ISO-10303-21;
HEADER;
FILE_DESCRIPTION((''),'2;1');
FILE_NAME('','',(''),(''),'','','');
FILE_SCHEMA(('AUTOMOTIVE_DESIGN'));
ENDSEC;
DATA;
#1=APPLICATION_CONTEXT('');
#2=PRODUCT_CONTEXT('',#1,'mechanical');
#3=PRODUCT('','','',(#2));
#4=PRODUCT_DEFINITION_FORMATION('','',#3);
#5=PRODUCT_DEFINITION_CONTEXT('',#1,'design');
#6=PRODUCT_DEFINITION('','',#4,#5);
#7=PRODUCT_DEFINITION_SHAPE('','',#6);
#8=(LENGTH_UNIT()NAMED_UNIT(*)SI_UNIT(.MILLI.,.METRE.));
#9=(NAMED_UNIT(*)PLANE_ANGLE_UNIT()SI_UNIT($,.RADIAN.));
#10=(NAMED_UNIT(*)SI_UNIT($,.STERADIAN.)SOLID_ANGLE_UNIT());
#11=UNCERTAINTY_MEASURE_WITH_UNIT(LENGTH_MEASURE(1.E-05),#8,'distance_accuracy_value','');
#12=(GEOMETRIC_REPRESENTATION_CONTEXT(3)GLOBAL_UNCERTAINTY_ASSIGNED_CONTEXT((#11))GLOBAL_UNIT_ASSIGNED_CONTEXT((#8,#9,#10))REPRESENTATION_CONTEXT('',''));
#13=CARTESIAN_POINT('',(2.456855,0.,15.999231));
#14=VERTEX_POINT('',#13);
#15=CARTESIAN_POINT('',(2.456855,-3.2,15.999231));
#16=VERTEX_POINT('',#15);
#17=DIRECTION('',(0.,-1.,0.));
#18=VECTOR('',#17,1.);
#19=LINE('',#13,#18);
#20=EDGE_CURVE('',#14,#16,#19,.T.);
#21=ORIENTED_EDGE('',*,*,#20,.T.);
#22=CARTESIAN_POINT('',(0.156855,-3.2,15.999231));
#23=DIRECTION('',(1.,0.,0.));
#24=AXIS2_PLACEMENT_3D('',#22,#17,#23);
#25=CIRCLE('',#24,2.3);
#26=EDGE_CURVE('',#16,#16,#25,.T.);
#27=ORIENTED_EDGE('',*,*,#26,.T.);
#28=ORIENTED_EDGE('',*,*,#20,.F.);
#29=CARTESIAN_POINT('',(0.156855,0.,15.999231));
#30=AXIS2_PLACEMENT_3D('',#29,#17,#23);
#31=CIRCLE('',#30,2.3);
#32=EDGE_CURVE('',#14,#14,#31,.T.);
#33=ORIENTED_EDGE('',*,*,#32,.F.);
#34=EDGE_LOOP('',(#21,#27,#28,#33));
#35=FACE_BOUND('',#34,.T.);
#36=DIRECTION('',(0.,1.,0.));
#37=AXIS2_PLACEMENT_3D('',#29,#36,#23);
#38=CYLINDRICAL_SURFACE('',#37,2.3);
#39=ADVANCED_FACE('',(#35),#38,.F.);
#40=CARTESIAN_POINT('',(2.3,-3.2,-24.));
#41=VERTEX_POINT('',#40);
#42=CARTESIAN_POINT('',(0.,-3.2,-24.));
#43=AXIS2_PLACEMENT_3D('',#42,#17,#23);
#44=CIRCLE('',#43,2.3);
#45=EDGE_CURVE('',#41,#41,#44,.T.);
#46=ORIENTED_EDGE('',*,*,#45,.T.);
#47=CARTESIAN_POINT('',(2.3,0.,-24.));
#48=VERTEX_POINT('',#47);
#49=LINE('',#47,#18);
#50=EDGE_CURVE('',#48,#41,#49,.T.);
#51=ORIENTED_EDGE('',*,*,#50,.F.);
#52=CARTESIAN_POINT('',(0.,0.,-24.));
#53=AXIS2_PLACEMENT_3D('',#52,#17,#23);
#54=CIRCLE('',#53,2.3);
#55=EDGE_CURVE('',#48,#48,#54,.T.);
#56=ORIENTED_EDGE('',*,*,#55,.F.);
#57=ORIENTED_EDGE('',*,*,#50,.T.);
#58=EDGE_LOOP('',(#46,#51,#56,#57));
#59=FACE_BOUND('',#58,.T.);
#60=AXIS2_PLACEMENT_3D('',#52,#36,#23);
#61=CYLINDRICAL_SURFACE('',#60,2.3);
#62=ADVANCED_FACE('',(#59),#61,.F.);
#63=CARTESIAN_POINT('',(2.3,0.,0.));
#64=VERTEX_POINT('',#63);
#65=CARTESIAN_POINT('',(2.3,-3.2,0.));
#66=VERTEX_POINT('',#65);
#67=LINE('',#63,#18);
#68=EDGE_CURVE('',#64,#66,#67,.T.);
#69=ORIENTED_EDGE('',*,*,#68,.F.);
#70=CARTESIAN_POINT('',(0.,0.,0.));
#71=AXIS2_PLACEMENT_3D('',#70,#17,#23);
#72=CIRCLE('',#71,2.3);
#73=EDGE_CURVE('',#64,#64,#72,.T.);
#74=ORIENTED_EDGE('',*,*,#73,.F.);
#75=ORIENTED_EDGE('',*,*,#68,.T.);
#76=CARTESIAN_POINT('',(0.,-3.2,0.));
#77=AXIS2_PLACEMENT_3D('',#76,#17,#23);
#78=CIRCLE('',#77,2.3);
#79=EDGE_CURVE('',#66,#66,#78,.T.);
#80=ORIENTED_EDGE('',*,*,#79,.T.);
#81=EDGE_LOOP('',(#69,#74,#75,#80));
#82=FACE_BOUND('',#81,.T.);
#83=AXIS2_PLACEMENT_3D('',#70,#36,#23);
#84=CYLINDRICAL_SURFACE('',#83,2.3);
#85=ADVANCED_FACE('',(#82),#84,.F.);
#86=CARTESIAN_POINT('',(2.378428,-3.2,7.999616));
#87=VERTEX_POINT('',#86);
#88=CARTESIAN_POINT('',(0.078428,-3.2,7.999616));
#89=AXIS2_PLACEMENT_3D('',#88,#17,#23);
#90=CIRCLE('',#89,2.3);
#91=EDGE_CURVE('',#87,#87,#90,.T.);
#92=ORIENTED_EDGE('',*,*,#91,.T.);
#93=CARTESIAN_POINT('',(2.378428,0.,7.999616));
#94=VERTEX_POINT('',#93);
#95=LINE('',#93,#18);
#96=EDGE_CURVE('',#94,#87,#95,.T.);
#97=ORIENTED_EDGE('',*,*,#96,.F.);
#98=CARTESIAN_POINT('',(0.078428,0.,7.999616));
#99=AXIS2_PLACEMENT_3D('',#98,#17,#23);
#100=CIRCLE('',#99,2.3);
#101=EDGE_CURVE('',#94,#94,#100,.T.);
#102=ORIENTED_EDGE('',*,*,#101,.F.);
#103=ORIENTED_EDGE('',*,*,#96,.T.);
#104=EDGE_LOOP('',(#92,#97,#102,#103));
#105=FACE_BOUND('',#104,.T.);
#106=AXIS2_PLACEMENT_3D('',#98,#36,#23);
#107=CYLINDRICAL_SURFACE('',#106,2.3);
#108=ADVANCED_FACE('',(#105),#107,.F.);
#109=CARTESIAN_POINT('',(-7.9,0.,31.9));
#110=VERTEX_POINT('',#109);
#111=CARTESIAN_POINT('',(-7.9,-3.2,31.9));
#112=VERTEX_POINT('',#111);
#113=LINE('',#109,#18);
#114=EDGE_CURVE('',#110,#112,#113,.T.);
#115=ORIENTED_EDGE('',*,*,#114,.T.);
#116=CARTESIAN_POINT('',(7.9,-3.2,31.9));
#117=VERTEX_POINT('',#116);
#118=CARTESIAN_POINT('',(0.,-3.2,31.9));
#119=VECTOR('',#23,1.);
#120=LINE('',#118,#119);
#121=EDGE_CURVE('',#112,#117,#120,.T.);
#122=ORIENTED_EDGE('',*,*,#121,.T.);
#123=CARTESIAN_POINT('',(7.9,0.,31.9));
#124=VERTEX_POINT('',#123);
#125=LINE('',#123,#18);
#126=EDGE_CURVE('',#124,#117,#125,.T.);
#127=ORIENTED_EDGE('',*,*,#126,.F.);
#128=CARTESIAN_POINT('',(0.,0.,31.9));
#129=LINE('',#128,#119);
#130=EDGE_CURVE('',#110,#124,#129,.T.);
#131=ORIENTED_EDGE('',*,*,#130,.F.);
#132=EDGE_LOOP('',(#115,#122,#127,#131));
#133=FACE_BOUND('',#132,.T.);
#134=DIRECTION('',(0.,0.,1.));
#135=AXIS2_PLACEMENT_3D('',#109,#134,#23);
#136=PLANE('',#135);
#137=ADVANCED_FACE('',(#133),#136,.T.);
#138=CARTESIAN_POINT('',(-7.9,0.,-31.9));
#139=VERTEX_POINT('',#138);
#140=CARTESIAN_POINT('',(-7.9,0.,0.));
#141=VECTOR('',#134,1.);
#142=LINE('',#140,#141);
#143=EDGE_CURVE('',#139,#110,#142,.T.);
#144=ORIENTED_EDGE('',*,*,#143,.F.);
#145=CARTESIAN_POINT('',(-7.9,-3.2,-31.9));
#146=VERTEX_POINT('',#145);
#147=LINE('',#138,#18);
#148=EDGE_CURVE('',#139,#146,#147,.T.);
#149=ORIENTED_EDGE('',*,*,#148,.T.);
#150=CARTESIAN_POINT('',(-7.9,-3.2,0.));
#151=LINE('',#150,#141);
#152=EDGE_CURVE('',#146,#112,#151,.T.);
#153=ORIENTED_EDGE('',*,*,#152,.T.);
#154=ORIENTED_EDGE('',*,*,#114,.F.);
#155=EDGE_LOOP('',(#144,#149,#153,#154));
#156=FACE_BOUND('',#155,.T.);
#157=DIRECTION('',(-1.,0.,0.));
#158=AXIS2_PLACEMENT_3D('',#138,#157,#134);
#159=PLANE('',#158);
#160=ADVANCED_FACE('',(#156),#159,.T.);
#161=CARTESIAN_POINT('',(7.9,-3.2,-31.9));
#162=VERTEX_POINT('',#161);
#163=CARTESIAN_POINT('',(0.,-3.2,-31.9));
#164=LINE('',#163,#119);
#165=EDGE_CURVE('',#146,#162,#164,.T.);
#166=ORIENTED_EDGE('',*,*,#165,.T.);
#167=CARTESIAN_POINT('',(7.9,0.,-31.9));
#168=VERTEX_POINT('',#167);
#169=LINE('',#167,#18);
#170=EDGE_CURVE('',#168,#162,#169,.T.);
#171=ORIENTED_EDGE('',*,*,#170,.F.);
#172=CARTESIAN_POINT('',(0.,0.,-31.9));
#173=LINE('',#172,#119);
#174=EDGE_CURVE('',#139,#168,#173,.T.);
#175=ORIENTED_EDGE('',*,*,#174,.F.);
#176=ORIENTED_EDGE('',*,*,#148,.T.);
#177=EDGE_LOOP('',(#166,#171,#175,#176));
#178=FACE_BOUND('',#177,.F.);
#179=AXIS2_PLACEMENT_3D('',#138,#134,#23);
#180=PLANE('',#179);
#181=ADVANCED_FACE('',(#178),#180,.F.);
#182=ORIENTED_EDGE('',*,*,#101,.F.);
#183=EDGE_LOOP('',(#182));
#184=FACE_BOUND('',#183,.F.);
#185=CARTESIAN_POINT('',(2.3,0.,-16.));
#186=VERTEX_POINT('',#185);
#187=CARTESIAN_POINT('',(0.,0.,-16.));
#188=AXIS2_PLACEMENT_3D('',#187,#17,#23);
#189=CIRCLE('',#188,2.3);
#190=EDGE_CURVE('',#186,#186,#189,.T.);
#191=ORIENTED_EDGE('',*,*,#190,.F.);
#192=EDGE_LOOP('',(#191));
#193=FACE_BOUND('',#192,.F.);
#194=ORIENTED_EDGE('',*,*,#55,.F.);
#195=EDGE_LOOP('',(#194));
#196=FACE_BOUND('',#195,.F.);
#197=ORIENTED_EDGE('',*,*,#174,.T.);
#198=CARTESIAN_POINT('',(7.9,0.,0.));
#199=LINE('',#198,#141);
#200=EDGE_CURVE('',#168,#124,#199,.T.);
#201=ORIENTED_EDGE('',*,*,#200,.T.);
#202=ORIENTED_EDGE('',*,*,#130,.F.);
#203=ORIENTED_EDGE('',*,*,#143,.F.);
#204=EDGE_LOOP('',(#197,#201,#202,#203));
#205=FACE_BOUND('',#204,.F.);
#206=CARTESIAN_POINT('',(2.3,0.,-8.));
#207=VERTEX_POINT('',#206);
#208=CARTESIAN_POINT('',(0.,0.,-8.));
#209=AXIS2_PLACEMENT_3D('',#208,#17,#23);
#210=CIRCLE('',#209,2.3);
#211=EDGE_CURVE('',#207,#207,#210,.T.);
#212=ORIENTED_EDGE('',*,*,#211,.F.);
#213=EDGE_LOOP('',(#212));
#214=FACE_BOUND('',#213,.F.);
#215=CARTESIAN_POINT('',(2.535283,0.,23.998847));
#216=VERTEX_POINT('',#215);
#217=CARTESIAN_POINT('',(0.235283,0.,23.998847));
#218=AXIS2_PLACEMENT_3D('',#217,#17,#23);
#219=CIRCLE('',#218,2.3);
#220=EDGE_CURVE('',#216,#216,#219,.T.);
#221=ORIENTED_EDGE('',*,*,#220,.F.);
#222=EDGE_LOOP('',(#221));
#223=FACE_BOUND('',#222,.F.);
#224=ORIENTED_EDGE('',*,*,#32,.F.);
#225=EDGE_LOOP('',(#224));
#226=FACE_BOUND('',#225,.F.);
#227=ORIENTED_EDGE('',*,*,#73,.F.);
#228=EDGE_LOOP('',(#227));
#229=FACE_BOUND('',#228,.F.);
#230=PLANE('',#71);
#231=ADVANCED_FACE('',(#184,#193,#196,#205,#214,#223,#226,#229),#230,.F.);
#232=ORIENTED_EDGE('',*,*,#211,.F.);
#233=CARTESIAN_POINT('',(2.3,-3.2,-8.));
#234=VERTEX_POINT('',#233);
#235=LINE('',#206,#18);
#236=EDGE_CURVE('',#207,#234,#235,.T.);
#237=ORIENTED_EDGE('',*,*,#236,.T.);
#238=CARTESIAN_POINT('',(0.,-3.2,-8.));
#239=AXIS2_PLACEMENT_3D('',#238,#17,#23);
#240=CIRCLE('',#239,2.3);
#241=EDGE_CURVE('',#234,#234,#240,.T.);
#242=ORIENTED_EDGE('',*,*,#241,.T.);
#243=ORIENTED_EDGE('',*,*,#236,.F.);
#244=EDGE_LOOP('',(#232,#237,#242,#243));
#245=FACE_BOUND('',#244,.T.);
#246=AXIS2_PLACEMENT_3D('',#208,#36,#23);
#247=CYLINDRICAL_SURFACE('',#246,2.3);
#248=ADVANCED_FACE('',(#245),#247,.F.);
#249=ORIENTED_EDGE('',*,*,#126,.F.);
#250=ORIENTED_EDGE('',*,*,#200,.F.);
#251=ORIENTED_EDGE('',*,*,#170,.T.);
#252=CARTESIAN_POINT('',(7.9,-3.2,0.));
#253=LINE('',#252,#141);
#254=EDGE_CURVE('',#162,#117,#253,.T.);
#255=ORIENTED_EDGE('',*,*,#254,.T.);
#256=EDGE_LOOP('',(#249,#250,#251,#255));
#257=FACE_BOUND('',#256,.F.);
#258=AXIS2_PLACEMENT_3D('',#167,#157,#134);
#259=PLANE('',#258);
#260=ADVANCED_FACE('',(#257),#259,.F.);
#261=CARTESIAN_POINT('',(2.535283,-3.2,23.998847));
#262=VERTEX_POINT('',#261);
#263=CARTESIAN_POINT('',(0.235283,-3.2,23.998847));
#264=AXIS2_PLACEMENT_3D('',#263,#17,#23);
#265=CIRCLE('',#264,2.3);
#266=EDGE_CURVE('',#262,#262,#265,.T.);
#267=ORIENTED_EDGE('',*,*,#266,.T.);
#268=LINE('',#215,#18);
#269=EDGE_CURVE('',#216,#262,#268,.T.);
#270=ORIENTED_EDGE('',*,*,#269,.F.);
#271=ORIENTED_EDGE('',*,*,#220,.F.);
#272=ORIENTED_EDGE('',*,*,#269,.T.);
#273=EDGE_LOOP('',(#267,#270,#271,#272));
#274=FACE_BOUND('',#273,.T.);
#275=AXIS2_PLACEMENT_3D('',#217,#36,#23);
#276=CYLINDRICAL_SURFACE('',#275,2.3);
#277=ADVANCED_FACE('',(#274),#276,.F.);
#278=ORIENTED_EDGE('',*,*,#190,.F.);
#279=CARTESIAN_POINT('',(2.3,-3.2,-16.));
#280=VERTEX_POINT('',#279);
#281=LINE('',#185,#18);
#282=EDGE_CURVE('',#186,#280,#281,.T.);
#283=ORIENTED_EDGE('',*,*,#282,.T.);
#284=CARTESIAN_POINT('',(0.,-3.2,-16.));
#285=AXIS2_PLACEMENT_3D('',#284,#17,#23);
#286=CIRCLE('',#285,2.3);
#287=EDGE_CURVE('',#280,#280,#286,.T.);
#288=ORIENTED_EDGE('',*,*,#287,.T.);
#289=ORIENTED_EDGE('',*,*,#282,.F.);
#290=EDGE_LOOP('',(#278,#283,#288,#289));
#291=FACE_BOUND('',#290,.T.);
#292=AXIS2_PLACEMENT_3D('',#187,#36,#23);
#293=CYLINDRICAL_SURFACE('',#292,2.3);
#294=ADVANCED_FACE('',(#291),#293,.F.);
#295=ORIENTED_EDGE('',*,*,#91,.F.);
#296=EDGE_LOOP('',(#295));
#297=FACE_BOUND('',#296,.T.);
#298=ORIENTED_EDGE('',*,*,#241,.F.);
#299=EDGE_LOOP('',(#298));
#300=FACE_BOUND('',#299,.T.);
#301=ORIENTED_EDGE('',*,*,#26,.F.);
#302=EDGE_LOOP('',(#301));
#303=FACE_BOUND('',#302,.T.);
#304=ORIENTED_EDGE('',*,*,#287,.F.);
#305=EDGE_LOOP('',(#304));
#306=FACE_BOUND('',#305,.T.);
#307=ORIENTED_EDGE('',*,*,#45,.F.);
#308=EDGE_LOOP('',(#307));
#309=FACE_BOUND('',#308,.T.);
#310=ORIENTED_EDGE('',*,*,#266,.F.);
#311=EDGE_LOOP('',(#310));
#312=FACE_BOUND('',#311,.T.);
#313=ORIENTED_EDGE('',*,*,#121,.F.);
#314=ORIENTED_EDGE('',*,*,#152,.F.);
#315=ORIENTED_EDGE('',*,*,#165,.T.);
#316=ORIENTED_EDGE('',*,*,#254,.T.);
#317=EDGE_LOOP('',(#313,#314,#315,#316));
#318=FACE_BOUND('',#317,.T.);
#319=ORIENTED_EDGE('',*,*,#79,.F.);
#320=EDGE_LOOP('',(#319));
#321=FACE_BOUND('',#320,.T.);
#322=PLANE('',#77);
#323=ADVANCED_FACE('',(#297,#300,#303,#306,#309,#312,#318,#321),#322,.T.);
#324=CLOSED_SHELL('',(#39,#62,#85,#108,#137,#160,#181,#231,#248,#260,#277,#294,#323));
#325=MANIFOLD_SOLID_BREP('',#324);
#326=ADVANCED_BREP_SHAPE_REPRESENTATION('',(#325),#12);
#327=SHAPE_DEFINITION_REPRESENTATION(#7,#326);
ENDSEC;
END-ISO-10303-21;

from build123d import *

# Parameters (mm, degrees)
F0_W     = 15.8
F0_H     = 63.8
F0_R     = 2.3
F1_DEPTH = 3.2


with BuildPart() as f1:
    # F0 (on Front) → F1 (new body)
    with BuildSketch(Plane.XZ):
        Rectangle(F0_W, F0_H)
        with Locations((0, -24)):
            Circle(F0_R, mode=Mode.SUBTRACT)
        with Locations((0, -16)):
            Circle(F0_R, mode=Mode.SUBTRACT)
        with Locations((0, -8)):
            Circle(F0_R, mode=Mode.SUBTRACT)
        Circle(F0_R, mode=Mode.SUBTRACT)
        with Locations((0.078428, 7.999616)):
            Circle(F0_R, mode=Mode.SUBTRACT)
        with Locations((0.156855, 15.999231)):
            Circle(F0_R, mode=Mode.SUBTRACT)
        with Locations((0.235283, 23.998847)):
            Circle(F0_R, mode=Mode.SUBTRACT)
    extrude(amount=F1_DEPTH)


solid = f1.part
